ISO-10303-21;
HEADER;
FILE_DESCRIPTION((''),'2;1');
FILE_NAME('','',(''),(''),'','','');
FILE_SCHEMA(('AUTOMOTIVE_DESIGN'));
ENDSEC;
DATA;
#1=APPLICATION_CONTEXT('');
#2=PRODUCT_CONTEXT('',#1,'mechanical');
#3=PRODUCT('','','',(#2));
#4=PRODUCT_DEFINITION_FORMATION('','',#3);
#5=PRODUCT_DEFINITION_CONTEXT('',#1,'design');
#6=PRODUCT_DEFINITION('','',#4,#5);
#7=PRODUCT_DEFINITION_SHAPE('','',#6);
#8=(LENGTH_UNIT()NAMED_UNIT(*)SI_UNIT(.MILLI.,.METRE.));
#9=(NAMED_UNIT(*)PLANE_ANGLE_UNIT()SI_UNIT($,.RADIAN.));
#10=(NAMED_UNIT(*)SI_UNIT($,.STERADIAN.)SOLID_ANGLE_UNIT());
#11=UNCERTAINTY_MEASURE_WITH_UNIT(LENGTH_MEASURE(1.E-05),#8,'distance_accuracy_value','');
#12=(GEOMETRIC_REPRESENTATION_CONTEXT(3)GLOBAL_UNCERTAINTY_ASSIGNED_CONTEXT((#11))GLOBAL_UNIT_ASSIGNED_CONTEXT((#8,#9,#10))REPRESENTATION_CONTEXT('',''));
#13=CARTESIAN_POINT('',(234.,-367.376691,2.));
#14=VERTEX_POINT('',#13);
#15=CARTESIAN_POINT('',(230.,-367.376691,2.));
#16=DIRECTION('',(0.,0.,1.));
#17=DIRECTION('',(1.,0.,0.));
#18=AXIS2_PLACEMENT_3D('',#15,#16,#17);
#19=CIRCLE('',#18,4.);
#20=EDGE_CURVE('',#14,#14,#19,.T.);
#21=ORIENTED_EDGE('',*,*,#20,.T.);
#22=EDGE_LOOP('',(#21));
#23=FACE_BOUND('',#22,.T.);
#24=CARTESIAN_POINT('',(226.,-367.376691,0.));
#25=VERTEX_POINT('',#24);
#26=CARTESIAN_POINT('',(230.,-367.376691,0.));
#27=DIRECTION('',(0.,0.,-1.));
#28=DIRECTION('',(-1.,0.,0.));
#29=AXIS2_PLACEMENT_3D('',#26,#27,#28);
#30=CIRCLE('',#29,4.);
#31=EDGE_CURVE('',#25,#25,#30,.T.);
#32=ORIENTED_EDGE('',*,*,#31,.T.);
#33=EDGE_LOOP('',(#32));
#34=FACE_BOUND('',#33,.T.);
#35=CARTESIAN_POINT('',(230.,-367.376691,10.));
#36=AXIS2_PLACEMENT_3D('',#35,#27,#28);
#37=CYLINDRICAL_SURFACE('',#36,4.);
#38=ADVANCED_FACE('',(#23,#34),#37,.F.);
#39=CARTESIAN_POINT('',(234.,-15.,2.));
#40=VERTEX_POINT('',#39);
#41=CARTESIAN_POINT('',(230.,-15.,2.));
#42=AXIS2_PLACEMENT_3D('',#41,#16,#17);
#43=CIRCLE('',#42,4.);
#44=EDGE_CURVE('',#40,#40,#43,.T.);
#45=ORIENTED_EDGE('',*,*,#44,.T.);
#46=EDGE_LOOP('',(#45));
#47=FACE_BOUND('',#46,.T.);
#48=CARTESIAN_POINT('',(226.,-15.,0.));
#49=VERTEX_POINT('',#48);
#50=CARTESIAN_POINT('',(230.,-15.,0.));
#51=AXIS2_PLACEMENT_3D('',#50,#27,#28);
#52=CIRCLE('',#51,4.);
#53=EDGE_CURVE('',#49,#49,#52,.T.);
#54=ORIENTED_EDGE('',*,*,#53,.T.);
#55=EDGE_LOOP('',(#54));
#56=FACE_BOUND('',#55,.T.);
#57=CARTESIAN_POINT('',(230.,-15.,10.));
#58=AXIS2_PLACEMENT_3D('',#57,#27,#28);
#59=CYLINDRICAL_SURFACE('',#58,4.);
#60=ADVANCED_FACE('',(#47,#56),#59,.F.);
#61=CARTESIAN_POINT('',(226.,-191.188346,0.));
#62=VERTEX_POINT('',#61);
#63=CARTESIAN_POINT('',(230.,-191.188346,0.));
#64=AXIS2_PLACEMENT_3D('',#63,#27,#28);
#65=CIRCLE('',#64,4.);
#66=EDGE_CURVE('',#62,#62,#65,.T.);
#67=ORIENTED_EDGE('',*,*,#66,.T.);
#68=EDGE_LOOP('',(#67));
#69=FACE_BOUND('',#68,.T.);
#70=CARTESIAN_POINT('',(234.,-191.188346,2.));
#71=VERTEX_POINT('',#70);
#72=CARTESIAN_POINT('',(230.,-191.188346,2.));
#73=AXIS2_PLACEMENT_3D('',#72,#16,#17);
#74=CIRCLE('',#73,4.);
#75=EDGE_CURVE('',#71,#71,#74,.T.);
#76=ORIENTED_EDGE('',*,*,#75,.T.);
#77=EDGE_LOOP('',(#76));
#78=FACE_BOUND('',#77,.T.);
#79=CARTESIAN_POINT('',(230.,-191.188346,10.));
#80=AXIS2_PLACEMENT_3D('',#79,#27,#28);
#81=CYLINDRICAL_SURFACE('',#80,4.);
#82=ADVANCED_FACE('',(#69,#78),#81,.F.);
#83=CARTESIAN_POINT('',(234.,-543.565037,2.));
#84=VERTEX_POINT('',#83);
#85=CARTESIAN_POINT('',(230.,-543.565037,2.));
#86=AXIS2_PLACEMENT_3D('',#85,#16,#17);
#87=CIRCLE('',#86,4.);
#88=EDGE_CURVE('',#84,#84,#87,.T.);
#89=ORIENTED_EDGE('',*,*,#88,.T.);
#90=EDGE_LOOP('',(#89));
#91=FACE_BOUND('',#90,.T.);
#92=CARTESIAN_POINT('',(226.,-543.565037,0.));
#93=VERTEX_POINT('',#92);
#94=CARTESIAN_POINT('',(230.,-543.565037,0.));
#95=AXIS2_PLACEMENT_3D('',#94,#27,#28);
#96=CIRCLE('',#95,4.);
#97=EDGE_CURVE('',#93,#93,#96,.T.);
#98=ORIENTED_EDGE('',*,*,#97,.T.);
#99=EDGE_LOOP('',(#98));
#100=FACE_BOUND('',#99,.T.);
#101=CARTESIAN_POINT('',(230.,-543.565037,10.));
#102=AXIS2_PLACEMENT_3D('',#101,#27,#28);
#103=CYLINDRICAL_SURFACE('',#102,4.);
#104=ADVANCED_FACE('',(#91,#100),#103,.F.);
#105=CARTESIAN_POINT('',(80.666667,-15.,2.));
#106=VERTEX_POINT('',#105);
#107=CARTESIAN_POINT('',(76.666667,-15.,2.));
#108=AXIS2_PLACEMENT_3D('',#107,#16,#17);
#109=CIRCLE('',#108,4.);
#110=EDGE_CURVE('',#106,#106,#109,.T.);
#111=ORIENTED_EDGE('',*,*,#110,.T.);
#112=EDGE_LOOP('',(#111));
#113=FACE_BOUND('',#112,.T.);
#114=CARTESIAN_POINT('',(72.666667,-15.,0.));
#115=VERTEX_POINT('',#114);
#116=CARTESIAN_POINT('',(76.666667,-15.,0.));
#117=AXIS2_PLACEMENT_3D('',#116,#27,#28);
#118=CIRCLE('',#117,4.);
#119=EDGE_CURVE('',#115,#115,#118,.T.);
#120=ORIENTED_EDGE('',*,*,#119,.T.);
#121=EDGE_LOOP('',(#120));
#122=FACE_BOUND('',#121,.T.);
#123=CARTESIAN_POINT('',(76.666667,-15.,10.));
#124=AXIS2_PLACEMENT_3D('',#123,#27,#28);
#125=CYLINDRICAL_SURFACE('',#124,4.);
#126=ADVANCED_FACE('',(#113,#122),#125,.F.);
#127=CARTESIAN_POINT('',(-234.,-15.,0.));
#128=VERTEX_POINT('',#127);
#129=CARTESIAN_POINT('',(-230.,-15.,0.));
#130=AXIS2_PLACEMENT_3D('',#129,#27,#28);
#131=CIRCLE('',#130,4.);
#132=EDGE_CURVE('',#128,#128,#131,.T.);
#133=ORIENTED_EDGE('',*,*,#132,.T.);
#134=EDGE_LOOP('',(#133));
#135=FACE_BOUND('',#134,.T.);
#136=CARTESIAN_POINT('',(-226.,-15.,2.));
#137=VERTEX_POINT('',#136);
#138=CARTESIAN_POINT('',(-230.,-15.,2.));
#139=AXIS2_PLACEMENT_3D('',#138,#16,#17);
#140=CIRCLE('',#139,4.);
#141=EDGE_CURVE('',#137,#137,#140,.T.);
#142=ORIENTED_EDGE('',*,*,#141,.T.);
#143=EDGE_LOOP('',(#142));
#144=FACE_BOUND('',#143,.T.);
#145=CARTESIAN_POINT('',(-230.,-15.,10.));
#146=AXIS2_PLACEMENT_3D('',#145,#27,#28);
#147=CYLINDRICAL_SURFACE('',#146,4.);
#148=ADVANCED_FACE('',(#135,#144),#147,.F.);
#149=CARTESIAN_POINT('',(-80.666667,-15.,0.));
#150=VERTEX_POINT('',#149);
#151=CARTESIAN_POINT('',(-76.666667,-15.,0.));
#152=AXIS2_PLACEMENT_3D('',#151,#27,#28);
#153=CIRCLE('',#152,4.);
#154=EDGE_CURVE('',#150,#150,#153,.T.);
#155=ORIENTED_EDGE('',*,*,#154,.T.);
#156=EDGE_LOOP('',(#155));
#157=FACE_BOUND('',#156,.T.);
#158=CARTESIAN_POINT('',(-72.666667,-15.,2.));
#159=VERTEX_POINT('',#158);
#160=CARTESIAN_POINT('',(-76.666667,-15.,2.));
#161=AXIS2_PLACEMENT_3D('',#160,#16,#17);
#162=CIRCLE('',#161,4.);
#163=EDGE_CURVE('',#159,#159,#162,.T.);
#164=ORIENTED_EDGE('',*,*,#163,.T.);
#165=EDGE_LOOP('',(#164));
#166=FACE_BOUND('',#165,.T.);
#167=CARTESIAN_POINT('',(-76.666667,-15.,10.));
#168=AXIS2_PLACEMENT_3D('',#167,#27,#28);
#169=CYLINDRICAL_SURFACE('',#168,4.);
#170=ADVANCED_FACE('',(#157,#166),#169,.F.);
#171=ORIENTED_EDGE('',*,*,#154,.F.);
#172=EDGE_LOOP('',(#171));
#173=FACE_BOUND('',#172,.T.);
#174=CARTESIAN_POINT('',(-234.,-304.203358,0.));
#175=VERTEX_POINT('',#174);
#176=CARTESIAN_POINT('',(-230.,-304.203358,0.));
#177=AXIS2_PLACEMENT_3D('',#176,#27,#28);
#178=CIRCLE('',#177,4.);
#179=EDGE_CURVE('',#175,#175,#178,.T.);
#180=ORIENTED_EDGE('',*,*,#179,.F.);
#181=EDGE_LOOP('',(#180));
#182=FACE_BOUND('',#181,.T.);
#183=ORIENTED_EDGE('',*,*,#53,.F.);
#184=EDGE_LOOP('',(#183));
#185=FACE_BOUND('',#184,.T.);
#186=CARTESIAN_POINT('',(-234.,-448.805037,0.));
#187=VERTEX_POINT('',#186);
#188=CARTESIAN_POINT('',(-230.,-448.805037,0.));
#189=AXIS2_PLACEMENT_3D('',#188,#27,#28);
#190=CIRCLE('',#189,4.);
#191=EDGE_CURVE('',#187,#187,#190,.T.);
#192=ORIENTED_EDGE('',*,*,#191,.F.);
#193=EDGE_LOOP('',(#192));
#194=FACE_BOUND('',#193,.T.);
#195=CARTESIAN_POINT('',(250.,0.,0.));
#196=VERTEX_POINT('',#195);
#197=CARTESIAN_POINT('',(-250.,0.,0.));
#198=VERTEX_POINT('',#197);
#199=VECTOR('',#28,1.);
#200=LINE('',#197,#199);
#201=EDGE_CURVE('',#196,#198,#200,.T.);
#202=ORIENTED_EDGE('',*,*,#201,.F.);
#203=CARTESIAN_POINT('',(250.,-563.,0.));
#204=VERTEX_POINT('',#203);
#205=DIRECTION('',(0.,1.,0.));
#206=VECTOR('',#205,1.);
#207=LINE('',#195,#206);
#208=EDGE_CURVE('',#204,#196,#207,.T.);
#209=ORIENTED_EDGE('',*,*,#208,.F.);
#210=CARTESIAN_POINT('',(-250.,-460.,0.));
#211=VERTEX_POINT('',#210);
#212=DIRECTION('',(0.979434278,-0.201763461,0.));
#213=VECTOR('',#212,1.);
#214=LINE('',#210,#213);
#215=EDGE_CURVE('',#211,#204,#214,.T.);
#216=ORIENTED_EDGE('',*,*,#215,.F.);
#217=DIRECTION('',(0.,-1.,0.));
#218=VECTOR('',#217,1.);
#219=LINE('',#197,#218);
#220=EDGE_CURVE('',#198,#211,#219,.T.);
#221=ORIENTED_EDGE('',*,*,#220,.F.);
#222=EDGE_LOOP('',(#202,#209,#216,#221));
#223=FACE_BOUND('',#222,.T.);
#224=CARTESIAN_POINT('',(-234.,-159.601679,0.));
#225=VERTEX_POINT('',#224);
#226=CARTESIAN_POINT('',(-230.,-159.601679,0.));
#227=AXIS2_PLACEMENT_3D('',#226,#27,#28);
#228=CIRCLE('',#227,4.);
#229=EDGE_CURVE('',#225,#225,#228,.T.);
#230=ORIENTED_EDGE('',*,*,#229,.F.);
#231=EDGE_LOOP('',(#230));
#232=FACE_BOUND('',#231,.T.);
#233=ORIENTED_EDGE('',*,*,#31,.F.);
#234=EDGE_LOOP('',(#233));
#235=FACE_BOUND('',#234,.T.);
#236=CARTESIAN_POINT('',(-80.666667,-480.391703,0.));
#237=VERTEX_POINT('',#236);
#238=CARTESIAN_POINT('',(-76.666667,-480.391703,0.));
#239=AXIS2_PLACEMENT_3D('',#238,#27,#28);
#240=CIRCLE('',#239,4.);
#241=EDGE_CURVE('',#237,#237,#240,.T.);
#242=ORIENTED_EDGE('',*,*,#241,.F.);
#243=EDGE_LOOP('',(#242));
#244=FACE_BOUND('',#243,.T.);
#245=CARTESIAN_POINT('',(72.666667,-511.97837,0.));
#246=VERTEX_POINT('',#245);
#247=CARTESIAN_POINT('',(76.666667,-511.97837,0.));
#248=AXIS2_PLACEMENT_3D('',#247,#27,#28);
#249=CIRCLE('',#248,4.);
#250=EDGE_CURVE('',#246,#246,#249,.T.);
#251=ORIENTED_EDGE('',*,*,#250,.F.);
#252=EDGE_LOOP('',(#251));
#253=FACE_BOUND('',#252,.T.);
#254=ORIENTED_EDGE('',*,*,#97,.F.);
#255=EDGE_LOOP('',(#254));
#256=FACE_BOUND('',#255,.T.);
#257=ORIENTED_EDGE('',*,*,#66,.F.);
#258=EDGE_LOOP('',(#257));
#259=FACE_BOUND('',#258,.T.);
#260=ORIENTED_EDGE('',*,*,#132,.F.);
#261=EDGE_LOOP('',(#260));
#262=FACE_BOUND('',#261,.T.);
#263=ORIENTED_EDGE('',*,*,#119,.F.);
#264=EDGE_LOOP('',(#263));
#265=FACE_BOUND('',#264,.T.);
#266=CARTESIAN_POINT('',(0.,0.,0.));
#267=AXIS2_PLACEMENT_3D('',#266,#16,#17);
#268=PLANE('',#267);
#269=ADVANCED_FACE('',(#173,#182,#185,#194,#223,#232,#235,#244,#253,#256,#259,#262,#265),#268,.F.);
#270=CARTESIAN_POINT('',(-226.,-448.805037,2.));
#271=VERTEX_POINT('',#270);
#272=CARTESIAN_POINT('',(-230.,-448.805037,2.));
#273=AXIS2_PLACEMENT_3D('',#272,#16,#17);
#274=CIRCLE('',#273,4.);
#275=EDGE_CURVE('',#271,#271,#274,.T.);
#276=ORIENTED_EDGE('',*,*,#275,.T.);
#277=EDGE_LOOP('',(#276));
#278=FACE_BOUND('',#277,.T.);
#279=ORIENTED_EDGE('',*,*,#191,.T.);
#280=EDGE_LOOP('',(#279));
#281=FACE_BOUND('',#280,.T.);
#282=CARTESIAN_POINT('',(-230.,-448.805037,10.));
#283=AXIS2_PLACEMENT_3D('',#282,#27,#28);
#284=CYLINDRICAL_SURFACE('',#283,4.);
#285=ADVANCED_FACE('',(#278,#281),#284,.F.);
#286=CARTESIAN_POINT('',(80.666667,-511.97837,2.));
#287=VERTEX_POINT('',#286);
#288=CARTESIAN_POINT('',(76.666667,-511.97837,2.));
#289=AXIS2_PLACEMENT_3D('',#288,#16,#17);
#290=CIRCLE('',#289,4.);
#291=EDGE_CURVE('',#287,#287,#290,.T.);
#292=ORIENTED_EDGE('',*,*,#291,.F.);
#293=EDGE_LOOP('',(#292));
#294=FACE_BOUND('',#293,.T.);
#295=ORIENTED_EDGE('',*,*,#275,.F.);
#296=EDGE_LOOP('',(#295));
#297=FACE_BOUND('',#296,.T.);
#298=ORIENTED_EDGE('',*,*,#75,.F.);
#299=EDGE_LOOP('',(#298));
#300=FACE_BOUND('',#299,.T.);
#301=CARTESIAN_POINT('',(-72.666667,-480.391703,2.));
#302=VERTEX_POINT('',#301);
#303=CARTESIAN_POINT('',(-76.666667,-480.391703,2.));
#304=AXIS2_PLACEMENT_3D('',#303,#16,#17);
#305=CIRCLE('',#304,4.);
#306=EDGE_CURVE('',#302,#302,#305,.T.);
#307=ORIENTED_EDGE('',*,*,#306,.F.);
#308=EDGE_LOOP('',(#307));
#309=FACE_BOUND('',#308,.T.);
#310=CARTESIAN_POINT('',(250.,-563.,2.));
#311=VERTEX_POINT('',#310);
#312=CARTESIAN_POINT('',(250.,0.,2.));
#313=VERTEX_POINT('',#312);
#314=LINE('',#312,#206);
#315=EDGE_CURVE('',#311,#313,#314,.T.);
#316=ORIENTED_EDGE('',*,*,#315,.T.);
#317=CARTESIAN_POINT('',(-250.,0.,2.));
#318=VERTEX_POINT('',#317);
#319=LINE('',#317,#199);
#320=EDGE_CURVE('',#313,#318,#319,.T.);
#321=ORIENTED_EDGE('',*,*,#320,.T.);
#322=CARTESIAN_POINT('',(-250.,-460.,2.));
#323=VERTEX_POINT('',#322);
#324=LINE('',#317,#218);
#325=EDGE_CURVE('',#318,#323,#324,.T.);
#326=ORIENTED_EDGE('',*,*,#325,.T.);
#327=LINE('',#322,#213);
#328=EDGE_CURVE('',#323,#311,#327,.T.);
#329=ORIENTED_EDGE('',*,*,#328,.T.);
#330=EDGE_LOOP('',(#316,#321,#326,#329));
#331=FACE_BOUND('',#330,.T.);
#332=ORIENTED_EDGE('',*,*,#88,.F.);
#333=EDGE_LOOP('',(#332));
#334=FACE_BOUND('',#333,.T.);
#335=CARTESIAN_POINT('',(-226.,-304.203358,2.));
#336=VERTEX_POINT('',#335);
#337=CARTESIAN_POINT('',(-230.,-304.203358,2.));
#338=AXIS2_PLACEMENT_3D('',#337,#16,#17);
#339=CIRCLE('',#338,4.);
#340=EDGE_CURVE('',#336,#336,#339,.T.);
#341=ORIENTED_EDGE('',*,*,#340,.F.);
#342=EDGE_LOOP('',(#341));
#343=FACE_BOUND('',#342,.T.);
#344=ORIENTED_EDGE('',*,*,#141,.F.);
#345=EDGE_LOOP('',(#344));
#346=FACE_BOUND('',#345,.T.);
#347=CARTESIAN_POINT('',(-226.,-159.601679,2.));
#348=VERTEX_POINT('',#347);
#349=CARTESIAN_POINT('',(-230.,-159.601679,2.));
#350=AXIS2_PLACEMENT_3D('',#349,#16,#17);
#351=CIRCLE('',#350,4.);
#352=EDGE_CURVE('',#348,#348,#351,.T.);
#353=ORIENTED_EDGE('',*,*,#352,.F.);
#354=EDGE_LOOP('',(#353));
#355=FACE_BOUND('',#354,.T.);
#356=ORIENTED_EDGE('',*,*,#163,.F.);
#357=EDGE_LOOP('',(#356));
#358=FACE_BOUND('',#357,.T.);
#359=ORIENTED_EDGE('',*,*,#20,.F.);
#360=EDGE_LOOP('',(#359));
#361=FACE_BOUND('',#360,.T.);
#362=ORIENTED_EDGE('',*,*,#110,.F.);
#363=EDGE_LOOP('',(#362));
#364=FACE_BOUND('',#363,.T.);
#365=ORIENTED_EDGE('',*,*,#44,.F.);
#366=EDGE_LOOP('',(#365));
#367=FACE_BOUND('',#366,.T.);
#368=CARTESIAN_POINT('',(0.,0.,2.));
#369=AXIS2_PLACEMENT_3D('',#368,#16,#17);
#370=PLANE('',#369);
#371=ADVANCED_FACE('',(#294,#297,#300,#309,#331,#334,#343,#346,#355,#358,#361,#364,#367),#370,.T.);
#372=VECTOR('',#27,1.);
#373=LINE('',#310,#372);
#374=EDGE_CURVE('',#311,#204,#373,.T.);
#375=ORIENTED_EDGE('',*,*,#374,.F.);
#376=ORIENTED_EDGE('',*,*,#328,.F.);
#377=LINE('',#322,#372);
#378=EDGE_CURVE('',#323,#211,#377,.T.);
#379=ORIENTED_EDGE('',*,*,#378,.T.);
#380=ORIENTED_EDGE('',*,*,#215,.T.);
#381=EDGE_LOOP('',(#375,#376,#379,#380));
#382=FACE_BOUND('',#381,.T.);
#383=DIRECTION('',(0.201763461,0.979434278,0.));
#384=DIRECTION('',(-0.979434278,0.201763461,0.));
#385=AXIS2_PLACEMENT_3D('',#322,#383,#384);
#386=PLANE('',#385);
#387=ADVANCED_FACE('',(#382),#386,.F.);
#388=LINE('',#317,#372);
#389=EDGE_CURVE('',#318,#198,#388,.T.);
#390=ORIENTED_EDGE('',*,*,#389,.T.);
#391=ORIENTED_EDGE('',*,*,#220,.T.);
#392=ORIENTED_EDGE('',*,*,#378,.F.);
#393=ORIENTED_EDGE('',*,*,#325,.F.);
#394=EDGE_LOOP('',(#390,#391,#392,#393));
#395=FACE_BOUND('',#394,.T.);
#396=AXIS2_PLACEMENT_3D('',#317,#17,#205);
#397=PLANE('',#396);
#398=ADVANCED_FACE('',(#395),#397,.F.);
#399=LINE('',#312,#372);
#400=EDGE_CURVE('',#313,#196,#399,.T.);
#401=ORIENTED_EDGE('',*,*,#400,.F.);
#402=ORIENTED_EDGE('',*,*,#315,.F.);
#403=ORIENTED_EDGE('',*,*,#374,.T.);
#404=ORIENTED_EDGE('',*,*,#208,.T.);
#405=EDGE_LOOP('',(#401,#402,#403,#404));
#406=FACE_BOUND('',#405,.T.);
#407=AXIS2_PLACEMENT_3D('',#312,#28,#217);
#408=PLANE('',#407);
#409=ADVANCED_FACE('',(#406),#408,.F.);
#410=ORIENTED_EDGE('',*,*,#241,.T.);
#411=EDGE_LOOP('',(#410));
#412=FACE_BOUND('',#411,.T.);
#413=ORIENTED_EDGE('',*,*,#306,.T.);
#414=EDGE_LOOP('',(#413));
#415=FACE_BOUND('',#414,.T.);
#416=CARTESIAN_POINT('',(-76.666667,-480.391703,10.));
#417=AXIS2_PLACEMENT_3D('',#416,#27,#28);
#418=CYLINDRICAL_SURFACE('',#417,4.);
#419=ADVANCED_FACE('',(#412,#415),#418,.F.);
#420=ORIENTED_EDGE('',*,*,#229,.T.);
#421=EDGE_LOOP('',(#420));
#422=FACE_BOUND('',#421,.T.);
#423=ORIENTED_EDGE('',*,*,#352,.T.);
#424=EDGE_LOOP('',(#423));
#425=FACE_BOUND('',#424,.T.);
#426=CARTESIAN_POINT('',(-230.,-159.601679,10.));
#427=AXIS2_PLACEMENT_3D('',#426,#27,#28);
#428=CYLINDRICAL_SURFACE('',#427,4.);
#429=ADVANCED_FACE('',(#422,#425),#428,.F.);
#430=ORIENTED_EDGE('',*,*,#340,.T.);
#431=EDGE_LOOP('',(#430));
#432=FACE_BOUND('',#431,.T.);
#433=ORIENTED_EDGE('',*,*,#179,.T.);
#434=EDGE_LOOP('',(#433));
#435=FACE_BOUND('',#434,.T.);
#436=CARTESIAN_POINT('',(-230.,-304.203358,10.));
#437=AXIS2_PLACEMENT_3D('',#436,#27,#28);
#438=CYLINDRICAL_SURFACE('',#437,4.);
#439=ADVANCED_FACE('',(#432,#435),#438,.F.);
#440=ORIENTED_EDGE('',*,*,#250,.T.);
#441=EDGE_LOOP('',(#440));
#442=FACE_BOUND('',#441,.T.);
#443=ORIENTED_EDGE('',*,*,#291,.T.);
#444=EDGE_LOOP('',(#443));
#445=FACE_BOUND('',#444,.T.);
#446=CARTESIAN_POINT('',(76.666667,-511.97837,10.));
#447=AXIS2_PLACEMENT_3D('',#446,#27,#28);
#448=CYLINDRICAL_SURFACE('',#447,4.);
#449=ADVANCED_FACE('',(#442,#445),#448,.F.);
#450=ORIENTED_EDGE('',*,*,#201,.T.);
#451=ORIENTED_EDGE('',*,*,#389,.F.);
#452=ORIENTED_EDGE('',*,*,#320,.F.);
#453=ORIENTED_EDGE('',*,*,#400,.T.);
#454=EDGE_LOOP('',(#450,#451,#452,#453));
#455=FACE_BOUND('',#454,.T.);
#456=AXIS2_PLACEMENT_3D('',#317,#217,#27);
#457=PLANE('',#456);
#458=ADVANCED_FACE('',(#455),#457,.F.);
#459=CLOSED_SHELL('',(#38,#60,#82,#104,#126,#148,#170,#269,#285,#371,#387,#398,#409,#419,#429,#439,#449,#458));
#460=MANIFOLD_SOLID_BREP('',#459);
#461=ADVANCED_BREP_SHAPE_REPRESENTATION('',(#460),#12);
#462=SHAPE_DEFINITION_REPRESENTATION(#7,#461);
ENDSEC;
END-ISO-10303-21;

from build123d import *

# Parameters (mm, degrees)
BOSS_EXTRU_1_DEPTH      = 2
ESQUISSE3_R             = 4
ENL_V_MAT_EXTRU_1_DEPTH = 10


with BuildPart() as part:
    # Esquisse1 → Boss.-Extru.1 (new body)
    with BuildSketch(Plane.XY):
        Polygon((-250, 0), (250, 0), (250, -563), (-250, -460), align=None)
    extrude(amount=BOSS_EXTRU_1_DEPTH)

    # Esquisse3 → Enlèv. mat.-Extru.1 (cut)
    with BuildSketch(Plane(origin=(0, 0, 0), x_dir=(-1, 0, 0), z_dir=(0, 0, -1))):
        with Locations((-230, -15)):
            Circle(ESQUISSE3_R)
        with Locations((-76.666666667, -15)):
            Circle(ESQUISSE3_R)
        with Locations((76.666666667, -15)):
            Circle(ESQUISSE3_R)
        with Locations((230, -15)):
            Circle(ESQUISSE3_R)
        with Locations((230, -159.60167891)):
            Circle(ESQUISSE3_R)
        with Locations((230, -304.203357819)):
            Circle(ESQUISSE3_R)
        with Locations((76.666666667, -480.391703395)):
            Circle(ESQUISSE3_R)
        with Locations((-76.666666667, -511.978370062)):
            Circle(ESQUISSE3_R)
        with Locations((-230, -543.565036729)):
            Circle(ESQUISSE3_R)
        with Locations((-230, -367.376691152)):
            Circle(ESQUISSE3_R)
        with Locations((-230, -191.188345576)):
            Circle(ESQUISSE3_R)
        with Locations((230, -448.805036729)):
            Circle(ESQUISSE3_R)
    extrude(amount=-ENL_V_MAT_EXTRU_1_DEPTH, mode=Mode.SUBTRACT)


solid = part.part
